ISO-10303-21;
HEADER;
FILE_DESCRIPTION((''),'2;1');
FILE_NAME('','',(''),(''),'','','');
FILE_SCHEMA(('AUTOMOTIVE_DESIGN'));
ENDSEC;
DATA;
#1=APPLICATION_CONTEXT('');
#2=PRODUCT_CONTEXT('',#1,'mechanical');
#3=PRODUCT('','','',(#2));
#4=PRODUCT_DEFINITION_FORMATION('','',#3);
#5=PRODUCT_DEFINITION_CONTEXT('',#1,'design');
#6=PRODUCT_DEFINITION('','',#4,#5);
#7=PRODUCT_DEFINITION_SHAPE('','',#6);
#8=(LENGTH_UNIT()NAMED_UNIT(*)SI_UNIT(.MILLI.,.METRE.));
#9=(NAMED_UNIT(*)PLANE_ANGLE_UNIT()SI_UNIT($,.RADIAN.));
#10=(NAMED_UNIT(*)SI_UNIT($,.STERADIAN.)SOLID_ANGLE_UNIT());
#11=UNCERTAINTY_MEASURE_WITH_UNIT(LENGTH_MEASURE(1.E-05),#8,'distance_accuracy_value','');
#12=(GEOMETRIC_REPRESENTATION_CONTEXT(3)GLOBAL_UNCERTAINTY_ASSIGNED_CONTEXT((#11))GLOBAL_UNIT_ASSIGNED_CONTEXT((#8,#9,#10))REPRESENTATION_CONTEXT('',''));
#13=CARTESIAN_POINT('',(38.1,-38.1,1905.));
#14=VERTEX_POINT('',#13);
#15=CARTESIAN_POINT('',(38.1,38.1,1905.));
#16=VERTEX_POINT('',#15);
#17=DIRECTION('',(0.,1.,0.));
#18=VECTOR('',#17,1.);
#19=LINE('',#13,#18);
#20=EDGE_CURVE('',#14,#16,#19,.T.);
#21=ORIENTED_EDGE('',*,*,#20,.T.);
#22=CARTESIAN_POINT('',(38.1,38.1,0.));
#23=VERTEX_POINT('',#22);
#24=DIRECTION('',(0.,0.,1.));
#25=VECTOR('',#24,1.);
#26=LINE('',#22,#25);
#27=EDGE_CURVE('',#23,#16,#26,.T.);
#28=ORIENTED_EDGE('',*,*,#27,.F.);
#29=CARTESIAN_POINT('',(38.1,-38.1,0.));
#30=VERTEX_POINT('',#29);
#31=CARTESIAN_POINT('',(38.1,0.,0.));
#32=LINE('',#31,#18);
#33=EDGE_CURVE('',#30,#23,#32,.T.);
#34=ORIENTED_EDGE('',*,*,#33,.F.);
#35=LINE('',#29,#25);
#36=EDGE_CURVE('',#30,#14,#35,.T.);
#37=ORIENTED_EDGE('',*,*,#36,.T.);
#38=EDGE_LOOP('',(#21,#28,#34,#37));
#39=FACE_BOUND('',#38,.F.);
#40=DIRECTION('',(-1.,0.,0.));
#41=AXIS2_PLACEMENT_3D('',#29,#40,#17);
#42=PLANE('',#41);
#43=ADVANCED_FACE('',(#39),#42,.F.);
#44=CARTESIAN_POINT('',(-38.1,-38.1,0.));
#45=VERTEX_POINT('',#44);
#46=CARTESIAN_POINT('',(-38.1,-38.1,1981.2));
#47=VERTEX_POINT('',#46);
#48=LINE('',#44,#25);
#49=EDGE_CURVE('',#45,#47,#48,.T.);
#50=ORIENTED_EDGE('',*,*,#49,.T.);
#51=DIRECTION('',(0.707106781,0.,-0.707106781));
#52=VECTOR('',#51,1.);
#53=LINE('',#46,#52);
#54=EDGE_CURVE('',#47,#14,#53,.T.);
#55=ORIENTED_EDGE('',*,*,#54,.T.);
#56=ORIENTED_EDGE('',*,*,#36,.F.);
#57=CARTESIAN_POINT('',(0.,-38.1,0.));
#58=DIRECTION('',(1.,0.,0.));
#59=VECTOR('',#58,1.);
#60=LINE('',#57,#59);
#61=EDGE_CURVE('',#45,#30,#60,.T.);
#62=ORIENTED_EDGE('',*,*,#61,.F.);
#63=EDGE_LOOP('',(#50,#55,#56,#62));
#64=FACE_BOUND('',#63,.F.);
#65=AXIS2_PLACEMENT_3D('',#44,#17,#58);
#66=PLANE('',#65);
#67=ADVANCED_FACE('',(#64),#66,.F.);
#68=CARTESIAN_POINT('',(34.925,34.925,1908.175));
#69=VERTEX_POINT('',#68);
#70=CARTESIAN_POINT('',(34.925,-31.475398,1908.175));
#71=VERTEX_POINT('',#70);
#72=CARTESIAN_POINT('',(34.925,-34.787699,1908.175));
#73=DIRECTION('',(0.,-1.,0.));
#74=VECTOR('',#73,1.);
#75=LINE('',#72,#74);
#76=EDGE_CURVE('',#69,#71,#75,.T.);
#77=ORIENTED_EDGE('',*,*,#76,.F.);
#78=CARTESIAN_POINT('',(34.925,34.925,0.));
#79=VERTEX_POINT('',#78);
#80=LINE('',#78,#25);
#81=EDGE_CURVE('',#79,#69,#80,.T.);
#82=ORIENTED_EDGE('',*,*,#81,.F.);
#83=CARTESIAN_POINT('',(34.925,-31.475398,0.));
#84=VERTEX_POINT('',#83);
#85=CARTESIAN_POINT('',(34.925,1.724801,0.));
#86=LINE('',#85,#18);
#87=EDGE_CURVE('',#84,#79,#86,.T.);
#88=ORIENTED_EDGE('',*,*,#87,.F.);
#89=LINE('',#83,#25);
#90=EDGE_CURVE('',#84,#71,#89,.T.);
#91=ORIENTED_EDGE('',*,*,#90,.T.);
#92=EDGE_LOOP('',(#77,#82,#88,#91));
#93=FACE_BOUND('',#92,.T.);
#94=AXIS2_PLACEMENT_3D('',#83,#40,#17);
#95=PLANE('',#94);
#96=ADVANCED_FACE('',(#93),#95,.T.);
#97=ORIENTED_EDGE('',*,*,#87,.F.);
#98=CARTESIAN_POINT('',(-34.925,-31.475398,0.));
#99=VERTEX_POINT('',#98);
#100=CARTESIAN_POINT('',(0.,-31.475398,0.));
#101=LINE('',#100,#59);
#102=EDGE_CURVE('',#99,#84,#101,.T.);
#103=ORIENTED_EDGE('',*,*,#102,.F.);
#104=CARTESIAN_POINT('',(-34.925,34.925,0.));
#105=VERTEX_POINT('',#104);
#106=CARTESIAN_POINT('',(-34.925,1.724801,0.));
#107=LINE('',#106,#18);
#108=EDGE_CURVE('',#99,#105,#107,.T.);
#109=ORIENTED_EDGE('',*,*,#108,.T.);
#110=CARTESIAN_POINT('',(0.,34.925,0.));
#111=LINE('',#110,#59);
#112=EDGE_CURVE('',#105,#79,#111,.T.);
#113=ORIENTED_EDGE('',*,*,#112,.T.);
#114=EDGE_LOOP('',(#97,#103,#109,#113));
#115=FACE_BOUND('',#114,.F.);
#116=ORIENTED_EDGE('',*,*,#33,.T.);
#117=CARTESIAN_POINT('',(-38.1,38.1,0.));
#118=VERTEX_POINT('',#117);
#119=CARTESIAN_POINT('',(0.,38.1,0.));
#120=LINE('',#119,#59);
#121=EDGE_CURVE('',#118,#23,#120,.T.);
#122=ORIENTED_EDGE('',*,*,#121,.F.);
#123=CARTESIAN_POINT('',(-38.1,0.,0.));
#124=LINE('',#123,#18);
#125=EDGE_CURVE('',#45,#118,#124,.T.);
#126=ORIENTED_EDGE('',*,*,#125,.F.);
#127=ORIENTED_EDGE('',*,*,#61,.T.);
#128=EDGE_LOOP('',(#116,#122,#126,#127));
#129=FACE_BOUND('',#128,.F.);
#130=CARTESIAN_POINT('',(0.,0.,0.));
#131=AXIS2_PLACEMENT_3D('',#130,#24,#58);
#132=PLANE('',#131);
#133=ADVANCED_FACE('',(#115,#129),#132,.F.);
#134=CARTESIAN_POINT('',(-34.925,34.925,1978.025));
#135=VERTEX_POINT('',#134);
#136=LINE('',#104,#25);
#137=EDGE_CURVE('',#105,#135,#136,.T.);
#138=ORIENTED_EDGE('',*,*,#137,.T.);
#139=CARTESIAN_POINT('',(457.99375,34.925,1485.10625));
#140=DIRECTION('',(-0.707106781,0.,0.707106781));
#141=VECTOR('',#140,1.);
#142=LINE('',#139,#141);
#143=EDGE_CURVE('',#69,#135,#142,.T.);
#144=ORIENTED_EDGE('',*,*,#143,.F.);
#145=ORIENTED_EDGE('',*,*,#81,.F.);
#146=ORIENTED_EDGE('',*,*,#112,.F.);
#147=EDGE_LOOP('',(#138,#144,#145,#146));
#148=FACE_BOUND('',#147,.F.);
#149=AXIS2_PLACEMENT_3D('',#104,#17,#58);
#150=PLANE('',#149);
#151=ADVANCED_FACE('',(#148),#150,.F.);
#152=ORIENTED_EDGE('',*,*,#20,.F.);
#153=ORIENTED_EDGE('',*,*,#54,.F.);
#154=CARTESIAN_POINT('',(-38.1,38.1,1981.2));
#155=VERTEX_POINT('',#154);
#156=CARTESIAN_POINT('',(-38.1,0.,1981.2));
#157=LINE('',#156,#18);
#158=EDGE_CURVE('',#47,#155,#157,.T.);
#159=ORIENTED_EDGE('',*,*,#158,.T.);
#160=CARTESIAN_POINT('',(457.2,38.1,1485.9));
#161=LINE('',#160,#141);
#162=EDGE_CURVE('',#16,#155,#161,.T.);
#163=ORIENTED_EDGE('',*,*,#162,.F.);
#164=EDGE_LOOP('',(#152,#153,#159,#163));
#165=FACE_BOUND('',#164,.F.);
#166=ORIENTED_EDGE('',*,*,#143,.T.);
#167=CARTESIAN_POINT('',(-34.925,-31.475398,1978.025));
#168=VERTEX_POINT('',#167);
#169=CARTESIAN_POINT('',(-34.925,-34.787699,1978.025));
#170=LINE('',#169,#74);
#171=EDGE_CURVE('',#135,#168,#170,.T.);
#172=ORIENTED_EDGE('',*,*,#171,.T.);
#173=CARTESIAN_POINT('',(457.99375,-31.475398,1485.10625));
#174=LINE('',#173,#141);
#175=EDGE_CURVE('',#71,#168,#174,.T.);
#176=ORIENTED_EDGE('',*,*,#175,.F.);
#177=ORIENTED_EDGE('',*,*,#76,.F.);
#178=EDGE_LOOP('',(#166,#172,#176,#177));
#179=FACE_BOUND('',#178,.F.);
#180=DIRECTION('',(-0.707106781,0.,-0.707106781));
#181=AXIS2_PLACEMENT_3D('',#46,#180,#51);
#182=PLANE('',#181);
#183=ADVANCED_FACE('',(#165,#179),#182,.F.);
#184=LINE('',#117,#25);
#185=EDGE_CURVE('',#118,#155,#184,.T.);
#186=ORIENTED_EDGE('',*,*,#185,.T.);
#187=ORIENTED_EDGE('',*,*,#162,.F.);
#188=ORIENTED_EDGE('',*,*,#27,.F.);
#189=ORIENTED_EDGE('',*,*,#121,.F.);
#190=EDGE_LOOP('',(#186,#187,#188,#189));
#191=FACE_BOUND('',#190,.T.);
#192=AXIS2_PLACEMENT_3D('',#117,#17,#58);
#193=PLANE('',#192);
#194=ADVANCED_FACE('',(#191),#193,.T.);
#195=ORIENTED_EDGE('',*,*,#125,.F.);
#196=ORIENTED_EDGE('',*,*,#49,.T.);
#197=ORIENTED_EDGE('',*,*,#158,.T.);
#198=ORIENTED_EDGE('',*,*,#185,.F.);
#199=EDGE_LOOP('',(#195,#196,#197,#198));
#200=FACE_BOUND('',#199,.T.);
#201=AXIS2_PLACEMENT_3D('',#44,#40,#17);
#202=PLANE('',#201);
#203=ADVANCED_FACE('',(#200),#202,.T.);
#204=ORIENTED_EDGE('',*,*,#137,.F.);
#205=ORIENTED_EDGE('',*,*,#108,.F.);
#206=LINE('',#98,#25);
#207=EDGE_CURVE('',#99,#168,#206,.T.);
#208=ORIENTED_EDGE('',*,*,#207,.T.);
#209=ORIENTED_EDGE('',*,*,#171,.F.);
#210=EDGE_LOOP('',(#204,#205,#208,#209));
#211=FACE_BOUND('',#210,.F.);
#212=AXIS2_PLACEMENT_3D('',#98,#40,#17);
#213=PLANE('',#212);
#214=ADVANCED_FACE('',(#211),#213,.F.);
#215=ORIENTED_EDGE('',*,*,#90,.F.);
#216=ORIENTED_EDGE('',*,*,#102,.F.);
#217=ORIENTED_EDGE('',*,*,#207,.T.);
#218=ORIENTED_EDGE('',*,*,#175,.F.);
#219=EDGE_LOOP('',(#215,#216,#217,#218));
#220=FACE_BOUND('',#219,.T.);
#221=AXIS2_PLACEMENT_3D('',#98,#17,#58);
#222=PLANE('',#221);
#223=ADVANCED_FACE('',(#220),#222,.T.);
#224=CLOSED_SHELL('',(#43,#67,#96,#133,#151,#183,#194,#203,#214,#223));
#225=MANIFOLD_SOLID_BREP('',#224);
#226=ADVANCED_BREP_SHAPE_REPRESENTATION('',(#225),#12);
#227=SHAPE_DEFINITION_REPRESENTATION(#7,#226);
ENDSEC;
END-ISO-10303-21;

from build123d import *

# Parameters (mm, degrees)
F0_W     = 76.2
F0_H     = 76.2
F0_W_2   = 69.85
F0_H_2   = 66.400398
F1_DEPTH = 1981.2
F3_DEPTH = 101.6


with BuildPart() as f1:
    # F0 (on Top) → F1 (new body)
    with BuildSketch(Plane.XY):
        Rectangle(F0_W, F0_H)
        with Locations((0, 1.724801)):
            Rectangle(F0_W_2, F0_H_2, mode=Mode.SUBTRACT)
    extrude(amount=F1_DEPTH)

    # F2 (on face) → F3 (cut)
    with BuildSketch(Plane.XZ.offset(38.1)):
        Polygon((38.1, 1981.2), (-38.1, 1981.2), (38.1, 1905), align=None)
    extrude(amount=-F3_DEPTH, mode=Mode.SUBTRACT)


solid = f1.part
